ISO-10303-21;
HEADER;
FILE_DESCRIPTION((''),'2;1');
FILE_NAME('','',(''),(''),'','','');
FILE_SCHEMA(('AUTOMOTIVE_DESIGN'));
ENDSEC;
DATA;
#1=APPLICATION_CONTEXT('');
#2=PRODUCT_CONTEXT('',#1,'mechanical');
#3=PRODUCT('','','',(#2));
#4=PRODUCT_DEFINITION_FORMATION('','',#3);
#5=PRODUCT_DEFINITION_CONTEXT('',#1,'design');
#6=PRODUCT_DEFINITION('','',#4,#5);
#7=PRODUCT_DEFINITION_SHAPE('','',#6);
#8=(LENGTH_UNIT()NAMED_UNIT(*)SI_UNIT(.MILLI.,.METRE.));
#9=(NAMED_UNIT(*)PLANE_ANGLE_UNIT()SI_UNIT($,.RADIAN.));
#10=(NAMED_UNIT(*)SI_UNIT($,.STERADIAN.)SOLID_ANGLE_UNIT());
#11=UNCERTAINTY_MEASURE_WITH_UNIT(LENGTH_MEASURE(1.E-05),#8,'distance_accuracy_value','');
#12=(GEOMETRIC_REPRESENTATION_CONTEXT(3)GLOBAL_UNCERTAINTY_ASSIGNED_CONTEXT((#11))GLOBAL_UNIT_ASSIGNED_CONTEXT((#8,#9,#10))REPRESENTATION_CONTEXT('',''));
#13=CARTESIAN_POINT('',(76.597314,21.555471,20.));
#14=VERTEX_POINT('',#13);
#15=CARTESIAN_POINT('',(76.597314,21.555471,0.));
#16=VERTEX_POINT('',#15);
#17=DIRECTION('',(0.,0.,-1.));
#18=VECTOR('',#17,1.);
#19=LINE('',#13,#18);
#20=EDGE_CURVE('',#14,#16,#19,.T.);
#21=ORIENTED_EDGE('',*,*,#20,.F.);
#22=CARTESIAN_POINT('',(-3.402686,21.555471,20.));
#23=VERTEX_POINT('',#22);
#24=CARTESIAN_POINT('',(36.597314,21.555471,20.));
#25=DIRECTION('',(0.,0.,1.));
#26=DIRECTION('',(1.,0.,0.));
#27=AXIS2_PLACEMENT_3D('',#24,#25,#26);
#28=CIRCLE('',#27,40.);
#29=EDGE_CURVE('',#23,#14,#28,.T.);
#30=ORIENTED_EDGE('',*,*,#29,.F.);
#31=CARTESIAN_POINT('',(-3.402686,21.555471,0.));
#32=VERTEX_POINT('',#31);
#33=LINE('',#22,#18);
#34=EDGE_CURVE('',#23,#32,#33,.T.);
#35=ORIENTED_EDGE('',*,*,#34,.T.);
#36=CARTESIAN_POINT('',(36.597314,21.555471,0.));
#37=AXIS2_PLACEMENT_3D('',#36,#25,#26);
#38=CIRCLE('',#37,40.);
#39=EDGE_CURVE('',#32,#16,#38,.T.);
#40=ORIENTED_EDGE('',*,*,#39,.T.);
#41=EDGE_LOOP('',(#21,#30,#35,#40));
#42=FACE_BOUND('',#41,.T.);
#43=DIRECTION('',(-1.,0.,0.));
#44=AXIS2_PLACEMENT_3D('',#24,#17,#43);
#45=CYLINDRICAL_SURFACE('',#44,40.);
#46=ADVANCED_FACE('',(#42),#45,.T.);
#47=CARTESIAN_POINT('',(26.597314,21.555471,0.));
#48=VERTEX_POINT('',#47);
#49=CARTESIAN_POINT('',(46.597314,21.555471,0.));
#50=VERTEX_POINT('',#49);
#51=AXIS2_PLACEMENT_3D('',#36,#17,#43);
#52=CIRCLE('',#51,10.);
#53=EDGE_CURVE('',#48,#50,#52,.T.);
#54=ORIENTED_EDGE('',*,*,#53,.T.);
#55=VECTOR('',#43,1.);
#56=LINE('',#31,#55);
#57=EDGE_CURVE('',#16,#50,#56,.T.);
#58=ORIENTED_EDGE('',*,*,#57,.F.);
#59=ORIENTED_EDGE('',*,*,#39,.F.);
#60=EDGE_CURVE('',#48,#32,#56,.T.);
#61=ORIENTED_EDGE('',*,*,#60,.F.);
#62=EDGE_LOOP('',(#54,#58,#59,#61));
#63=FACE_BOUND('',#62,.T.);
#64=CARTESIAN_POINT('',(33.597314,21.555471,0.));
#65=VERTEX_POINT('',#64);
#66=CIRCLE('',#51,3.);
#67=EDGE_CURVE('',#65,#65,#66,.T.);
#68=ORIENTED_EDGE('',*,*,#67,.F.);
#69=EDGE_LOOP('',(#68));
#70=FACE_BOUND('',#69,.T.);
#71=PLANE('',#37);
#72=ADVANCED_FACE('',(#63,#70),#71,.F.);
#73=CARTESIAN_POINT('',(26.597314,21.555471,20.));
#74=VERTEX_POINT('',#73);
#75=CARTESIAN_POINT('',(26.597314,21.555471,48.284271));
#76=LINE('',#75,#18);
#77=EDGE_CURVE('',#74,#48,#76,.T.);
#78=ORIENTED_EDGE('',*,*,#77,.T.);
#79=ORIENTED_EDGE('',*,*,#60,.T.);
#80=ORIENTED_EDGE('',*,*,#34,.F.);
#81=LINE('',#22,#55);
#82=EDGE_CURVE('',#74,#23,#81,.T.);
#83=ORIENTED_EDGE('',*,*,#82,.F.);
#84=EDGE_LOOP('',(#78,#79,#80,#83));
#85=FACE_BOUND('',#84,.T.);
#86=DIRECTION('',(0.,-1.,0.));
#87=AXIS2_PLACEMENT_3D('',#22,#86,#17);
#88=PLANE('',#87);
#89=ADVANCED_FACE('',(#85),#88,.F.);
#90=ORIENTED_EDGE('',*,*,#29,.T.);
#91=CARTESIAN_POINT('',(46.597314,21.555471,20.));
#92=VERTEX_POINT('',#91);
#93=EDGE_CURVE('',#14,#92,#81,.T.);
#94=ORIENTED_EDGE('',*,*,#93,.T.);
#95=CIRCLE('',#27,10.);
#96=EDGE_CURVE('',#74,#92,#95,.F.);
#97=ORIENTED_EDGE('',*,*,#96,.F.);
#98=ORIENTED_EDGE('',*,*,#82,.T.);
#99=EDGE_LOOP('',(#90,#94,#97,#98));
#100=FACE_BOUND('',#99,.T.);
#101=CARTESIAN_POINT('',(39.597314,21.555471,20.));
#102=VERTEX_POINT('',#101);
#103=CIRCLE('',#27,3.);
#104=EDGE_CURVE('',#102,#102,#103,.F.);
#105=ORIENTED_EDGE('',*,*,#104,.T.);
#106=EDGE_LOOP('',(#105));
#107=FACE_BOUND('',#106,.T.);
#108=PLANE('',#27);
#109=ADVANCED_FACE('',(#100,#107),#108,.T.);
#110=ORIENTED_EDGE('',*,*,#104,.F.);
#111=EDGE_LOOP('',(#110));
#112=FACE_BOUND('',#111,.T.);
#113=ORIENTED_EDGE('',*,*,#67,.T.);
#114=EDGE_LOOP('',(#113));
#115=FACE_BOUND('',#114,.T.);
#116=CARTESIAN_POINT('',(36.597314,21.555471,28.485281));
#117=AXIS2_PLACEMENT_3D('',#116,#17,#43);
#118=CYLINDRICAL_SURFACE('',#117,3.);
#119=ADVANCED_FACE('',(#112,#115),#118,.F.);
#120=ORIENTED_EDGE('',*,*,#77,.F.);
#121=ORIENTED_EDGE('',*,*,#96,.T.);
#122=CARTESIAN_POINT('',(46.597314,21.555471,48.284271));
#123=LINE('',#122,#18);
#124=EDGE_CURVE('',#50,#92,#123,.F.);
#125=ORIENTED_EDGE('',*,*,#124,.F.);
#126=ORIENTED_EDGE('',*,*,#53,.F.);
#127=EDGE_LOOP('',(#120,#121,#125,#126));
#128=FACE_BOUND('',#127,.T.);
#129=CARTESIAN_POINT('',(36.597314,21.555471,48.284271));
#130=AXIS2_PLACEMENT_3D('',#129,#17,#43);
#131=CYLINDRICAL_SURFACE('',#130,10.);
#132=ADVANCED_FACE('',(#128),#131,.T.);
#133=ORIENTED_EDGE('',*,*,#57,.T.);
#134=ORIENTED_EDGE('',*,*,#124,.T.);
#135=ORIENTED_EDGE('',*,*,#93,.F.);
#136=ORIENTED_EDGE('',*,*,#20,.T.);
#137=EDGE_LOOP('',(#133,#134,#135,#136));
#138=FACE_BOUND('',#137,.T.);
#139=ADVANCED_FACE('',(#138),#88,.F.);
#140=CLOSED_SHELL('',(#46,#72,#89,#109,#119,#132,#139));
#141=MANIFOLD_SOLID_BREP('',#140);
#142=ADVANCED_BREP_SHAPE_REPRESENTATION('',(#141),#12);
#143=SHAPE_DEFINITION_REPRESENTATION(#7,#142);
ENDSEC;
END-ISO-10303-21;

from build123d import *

# Parameters (mm, degrees)
BOSS_EXTRUDE1_DEPTH = 20
SKETCH2_R           = 10
BOSS_EXTRUDE2_DEPTH = 20
SKETCH3_R           = 3
CUT_EXTRUDE1_DEPTH  = 20


with BuildPart() as part:
    # Sketch1 → Boss-Extrude1 (new body)
    with BuildSketch(Plane.XY):
        with BuildLine():
            Line((-3.402685511, 21.555471253), (76.597314489, 21.555471253))
            ThreePointArc((76.597314489, 21.555471253), (36.597314489, -18.444528747), (-3.402685511, 21.555471253))
        make_face()
    extrude(amount=BOSS_EXTRUDE1_DEPTH)

    # Sketch2 → Boss-Extrude2 (add)
    with BuildSketch(Plane(origin=(0, 0, 0), x_dir=(-1, 0, 0), z_dir=(0, 0, -1))):
        with Locations((-36.597314489, 21.555471253)):
            Circle(SKETCH2_R)
    extrude(amount=-BOSS_EXTRUDE2_DEPTH)

    # Sketch3 → Cut-Extrude1 (cut)
    with BuildSketch(Plane(origin=(0, 0, 0), x_dir=(-1, 0, 0), z_dir=(0, 0, -1))):
        with Locations((-36.597314489, 21.555471253)):
            Circle(SKETCH3_R)
    extrude(amount=-CUT_EXTRUDE1_DEPTH, mode=Mode.SUBTRACT)


solid = part.part
